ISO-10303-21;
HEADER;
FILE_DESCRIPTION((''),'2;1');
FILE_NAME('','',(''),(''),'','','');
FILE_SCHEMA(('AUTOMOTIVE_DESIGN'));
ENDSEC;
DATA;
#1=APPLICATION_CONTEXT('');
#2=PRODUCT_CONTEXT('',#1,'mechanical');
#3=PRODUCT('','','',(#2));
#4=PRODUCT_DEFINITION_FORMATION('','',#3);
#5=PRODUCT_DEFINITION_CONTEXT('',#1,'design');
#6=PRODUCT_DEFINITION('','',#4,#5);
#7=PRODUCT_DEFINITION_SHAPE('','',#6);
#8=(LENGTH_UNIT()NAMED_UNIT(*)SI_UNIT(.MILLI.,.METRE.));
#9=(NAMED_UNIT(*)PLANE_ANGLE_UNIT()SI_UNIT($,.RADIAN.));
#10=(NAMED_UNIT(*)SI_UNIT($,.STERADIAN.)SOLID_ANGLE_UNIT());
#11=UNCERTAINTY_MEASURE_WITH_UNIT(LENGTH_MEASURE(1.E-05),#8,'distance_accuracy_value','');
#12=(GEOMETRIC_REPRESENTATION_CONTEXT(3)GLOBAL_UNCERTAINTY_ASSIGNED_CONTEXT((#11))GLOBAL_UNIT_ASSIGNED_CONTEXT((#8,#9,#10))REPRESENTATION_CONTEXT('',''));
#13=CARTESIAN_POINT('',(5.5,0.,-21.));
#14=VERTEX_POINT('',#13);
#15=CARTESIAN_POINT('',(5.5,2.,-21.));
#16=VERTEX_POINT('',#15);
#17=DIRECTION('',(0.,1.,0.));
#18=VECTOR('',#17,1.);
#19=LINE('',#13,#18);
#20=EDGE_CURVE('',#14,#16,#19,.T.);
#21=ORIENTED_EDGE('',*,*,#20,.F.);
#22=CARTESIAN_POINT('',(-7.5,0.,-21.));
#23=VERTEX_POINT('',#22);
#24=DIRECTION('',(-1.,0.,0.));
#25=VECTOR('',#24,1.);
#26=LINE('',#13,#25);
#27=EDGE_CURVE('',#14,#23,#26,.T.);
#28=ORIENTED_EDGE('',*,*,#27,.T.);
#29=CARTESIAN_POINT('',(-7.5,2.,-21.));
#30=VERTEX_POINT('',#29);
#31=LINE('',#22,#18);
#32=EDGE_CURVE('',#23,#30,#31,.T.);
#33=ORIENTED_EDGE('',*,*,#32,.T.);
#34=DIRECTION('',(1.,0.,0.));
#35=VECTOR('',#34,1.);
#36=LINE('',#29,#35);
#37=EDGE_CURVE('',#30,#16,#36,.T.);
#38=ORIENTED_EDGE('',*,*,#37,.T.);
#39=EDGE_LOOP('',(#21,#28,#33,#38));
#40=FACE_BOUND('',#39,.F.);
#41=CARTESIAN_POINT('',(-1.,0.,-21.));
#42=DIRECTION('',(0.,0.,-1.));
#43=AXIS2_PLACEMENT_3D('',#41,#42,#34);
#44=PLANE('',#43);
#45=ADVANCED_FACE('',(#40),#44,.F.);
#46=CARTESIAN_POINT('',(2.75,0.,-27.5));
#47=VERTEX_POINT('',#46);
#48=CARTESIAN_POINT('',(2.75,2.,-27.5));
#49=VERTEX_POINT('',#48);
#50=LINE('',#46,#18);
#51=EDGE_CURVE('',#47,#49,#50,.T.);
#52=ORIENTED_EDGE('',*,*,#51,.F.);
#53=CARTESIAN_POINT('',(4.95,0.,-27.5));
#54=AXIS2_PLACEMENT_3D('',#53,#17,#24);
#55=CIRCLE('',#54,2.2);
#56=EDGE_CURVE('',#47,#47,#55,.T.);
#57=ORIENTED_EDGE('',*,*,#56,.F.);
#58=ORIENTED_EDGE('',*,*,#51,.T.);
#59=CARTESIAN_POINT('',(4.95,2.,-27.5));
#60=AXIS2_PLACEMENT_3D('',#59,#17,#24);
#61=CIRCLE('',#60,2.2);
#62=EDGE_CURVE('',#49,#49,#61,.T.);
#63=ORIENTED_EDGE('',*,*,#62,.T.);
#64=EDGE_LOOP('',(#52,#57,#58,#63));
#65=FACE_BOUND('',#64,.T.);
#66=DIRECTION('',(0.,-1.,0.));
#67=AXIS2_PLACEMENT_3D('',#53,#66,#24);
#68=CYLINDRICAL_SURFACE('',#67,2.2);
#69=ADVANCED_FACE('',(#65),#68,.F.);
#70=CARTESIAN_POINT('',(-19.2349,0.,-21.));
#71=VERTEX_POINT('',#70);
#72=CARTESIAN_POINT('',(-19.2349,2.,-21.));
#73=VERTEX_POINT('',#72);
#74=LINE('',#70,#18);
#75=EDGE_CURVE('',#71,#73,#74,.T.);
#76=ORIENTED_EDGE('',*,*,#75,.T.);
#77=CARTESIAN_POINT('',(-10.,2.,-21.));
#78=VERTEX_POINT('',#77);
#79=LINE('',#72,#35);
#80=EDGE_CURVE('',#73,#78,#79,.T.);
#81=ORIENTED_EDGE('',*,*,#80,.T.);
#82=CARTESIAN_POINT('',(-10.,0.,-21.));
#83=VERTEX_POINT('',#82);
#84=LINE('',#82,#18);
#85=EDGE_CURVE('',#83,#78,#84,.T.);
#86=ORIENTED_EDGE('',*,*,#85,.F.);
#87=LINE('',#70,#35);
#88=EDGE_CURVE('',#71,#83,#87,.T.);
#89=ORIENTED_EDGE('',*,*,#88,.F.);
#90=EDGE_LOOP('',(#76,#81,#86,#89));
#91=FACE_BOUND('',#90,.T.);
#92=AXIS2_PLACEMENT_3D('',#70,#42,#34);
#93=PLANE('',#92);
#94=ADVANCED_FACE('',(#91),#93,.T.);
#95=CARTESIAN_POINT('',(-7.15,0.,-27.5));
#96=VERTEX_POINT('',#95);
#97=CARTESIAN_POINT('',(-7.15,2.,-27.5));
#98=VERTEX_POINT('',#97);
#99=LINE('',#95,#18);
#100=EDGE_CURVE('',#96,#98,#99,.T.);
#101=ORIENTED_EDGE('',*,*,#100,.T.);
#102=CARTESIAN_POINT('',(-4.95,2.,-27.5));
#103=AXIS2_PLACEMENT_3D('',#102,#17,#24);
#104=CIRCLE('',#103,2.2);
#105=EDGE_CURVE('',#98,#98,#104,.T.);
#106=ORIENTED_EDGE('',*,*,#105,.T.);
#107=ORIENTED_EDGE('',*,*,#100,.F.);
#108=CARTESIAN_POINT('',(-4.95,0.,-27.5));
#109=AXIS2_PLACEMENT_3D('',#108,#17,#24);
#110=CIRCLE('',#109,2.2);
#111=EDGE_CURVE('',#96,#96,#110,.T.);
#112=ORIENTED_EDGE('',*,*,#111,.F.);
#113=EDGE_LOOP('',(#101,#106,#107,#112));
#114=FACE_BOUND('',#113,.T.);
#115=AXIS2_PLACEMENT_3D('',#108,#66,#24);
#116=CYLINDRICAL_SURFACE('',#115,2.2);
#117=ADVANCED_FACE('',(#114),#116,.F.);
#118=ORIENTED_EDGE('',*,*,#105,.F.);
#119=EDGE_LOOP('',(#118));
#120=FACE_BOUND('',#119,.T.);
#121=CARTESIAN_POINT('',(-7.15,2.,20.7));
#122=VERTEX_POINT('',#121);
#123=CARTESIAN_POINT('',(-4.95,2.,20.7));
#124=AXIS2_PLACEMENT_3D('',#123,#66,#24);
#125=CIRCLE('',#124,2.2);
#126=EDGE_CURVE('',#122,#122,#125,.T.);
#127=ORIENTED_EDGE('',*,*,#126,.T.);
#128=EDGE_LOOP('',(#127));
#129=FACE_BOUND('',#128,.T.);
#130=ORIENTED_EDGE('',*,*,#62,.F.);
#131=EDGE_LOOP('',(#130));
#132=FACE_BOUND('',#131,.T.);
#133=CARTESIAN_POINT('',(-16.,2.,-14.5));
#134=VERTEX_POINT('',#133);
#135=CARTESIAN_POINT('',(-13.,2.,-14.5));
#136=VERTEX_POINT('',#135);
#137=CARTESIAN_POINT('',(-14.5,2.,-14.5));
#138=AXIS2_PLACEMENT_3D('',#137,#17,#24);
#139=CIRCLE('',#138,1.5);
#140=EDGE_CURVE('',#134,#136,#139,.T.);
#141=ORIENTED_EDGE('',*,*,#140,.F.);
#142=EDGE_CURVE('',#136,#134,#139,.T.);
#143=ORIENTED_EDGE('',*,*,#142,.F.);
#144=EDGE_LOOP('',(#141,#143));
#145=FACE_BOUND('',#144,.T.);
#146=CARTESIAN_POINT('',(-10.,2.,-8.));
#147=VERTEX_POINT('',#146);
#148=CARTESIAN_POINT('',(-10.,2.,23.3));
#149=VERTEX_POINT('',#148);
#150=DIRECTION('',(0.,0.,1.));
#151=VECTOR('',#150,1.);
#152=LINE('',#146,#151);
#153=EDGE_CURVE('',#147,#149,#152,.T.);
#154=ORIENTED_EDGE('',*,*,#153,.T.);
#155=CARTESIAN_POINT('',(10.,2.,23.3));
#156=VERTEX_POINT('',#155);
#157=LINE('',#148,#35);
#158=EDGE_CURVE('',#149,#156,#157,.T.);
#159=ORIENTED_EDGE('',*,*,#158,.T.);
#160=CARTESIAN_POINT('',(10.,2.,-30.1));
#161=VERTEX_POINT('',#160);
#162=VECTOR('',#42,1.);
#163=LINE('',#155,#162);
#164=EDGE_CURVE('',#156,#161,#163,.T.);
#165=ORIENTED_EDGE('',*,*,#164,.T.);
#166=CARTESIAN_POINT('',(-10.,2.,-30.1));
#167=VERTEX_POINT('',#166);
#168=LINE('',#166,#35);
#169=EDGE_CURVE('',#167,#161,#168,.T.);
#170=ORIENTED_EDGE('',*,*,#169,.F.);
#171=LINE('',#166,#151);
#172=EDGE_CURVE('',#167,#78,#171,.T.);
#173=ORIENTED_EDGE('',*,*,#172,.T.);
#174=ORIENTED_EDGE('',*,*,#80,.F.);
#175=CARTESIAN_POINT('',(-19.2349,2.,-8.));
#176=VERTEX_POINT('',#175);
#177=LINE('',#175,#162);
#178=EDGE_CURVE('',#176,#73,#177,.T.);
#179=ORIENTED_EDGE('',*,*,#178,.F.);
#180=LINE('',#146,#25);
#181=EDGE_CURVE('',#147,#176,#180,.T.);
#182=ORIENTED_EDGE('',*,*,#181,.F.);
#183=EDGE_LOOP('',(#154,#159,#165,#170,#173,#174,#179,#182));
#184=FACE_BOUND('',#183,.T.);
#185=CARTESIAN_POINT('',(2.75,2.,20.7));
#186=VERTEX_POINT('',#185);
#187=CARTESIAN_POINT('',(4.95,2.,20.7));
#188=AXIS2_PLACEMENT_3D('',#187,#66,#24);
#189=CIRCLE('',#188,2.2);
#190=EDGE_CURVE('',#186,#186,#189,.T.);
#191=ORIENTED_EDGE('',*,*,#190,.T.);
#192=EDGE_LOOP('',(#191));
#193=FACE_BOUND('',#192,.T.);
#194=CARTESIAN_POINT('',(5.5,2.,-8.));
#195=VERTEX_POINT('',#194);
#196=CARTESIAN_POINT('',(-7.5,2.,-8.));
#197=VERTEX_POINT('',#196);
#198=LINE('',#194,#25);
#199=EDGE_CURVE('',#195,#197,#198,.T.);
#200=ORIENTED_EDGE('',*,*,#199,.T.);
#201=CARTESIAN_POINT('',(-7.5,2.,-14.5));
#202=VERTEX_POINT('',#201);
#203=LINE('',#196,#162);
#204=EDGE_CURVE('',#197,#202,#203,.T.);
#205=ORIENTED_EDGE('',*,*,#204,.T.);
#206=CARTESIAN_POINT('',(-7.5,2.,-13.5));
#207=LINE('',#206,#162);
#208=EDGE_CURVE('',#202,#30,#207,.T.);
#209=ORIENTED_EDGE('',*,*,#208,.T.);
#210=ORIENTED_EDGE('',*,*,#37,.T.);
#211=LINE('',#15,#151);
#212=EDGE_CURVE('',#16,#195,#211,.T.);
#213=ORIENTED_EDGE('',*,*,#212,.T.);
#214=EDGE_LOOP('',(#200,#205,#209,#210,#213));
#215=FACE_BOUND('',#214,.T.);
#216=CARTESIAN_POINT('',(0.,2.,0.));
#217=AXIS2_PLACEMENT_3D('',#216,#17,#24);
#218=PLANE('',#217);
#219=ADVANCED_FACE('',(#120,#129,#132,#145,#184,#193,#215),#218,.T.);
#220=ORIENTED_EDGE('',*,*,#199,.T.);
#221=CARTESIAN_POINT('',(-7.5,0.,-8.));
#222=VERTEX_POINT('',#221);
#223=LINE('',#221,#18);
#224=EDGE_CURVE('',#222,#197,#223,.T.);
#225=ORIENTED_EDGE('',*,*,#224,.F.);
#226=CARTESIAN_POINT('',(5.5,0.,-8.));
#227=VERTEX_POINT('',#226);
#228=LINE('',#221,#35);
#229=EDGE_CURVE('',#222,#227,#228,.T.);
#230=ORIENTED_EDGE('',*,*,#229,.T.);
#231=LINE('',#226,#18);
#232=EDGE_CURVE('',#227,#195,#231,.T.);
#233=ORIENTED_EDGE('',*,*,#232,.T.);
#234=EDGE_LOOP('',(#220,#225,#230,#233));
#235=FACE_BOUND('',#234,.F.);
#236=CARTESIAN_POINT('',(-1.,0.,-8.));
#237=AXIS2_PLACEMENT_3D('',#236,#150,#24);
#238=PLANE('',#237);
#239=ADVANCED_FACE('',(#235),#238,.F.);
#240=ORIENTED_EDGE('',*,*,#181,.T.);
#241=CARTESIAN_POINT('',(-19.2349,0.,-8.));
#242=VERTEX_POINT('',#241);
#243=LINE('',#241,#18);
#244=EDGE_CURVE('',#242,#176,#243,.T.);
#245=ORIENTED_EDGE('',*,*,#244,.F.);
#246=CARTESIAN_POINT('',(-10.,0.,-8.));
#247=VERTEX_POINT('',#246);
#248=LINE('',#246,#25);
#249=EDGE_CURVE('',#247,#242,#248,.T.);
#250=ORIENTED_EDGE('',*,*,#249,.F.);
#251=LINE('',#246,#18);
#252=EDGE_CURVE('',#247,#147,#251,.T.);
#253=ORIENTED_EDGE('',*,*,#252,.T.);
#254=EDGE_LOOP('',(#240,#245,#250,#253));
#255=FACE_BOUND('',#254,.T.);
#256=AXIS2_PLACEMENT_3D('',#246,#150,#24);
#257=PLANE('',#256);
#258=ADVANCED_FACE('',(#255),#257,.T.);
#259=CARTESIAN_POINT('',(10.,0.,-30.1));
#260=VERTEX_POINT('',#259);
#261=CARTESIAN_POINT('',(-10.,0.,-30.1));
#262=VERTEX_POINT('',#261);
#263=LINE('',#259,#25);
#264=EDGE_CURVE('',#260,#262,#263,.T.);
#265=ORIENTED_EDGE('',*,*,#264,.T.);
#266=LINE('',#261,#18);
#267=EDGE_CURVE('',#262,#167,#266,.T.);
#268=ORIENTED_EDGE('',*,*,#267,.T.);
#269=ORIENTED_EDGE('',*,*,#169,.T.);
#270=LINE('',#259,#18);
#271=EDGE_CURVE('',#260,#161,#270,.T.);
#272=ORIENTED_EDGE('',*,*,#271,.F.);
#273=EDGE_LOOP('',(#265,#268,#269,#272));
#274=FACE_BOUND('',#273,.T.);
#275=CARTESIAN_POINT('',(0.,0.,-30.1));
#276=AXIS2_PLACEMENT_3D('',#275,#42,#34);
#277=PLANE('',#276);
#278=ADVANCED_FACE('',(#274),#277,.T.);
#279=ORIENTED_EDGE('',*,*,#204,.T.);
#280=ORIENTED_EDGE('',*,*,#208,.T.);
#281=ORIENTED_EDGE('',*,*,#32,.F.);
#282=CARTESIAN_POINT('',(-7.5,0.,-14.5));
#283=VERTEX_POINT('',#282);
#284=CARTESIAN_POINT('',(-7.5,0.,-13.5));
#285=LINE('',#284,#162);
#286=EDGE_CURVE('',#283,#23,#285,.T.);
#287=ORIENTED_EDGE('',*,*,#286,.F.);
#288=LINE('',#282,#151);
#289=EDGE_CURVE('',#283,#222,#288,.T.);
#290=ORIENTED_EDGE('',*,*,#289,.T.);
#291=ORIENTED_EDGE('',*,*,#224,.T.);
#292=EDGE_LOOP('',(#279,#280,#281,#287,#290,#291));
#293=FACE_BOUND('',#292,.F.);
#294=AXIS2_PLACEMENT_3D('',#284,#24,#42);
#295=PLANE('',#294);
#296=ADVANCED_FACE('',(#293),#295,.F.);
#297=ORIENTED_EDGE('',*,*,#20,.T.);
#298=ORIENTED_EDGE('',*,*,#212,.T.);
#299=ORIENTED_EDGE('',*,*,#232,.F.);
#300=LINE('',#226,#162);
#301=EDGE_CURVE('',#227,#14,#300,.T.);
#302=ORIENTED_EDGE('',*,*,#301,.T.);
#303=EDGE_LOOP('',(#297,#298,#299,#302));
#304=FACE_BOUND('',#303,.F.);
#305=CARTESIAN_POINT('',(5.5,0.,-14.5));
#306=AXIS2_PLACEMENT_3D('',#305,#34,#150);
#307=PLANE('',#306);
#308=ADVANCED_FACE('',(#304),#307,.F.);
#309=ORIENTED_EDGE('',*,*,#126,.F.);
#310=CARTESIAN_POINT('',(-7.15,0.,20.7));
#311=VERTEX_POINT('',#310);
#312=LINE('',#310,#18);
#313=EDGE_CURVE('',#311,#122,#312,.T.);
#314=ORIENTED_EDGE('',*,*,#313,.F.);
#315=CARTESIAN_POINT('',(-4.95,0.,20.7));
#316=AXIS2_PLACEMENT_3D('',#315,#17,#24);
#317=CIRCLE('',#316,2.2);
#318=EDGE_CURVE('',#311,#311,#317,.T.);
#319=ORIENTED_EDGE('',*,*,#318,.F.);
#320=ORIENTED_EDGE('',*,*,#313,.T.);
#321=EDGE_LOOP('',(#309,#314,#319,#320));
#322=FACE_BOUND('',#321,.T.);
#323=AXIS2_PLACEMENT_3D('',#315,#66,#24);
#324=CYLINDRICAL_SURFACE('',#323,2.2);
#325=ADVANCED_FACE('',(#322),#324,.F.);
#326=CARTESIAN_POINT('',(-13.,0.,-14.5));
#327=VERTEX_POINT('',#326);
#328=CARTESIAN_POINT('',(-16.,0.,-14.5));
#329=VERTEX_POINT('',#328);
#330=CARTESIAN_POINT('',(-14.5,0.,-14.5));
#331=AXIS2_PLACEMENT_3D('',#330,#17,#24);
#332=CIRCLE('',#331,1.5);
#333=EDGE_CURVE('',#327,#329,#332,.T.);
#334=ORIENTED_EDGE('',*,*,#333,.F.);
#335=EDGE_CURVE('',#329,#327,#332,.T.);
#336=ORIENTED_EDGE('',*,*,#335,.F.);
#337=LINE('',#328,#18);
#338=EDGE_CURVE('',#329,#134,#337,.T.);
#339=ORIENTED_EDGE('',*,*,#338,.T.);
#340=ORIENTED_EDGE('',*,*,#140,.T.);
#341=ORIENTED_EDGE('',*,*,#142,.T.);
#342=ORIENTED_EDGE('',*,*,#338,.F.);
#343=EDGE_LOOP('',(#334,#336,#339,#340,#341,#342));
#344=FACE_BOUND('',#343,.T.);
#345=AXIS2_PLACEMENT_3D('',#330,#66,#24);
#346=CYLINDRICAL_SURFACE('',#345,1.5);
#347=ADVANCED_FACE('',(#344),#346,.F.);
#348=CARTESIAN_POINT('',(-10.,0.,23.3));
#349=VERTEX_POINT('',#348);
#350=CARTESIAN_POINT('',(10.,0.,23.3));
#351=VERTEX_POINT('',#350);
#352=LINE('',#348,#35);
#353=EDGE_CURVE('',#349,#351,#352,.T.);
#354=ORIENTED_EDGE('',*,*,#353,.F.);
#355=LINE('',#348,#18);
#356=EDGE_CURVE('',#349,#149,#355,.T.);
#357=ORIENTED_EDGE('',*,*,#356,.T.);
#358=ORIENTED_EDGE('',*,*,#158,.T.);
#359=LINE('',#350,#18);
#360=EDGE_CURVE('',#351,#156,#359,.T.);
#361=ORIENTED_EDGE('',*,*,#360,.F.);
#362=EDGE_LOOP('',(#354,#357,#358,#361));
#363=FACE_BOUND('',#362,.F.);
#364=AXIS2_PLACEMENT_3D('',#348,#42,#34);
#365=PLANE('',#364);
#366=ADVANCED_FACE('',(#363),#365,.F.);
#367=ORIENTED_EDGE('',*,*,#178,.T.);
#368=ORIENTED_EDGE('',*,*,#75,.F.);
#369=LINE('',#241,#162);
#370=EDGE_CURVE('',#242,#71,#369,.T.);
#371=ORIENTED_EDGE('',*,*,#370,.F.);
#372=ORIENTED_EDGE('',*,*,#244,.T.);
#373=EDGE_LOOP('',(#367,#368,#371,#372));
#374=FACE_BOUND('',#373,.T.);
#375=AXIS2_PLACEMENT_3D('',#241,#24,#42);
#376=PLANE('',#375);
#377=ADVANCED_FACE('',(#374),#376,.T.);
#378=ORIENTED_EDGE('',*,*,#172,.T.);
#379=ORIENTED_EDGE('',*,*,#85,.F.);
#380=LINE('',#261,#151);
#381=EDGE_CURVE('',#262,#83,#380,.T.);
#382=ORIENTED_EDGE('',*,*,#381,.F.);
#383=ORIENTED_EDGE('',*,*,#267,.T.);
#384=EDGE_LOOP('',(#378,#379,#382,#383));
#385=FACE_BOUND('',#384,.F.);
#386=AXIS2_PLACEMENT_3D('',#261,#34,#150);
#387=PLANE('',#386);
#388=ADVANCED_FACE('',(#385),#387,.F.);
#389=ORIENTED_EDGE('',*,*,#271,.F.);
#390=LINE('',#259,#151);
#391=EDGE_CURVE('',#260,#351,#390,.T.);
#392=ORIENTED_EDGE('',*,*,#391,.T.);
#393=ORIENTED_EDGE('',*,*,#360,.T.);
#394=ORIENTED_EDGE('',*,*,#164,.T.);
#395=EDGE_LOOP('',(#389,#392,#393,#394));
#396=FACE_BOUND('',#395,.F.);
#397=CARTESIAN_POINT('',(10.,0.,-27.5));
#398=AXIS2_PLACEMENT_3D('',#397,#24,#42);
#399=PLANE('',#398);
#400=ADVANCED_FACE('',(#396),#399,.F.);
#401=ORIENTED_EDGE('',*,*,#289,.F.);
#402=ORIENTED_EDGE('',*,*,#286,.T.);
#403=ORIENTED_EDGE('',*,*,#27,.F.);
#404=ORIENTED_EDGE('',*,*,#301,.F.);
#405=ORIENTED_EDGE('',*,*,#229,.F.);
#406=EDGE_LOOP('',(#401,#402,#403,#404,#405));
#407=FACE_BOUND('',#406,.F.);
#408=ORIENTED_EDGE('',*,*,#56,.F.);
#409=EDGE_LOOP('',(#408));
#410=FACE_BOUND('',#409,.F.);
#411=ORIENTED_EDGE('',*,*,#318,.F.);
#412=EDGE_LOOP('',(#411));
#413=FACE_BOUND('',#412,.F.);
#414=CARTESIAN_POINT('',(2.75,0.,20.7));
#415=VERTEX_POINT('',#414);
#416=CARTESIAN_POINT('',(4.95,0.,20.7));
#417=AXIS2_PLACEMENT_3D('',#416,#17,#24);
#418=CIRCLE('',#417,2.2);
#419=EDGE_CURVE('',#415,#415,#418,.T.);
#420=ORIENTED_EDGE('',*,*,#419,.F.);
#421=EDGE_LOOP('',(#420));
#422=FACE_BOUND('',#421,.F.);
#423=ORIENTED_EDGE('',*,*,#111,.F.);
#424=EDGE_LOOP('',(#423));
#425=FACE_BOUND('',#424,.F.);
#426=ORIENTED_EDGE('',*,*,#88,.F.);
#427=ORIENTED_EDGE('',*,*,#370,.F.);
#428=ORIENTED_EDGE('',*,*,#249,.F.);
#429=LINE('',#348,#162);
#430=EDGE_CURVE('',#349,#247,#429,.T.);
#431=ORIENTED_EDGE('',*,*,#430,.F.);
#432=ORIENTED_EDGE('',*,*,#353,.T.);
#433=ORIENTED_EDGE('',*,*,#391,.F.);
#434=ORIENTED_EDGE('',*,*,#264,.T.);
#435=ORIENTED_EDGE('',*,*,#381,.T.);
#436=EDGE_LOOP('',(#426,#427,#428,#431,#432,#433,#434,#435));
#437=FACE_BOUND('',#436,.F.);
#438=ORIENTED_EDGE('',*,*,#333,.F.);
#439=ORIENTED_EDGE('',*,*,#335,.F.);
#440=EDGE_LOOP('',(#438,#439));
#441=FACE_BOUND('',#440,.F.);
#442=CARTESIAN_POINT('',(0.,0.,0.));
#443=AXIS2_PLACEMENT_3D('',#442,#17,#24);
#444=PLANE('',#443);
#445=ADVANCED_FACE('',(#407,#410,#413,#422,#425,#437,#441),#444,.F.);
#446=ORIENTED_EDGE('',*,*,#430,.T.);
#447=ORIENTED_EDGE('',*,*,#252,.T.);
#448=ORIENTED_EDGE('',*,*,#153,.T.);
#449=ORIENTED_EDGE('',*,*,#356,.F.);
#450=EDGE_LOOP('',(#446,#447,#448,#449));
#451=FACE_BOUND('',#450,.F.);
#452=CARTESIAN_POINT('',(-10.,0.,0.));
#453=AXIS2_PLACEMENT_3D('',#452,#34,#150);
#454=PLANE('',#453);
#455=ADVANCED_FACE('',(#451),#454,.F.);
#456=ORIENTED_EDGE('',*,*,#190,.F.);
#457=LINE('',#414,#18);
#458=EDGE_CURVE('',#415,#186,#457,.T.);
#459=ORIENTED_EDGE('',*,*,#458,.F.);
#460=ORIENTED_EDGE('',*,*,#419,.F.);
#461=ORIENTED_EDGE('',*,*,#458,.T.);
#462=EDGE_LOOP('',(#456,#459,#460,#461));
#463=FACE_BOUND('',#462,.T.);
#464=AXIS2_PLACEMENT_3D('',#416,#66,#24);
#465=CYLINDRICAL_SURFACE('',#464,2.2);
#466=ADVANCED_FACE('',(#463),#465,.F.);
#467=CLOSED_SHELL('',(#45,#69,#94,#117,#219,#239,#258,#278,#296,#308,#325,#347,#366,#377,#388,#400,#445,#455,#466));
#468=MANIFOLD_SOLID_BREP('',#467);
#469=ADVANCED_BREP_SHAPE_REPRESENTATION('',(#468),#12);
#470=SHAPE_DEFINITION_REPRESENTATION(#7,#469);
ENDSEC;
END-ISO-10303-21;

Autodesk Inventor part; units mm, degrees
ref_plane "YZ Plane" through (0, 0, 0) normal (1, 0, 0) x (0, 1, 0)
ref_plane "XZ Plane" through (0, 0, 0) normal (0, 1, 0) x (-1, 0, 0)
ref_plane "XY Plane" through (0, 0, 0) normal (0, 0, 1) x (1, 0, 0)
sketch "Boceto1" plane through (0, 0, 0) normal (0, 1, 0) x (-1, 0, 0)
  line L0 (0, -30.1) -> (-8.9011, -30.1)
  line L1 (0, -30.1) -> (-10, -30.1)
  line L2 (0, -30.1) -> (10, -30.1)
  line L3 (10, -30.1) -> (10, 23.3)
  line L4 (10, -30.1) -> (63.4, -30.1) construction
  line L5 (10, 23.3) -> (-10, 23.3)
  line L6 (-10, 23.3) -> (-10, -30.1)
  line L7 (-10, 23.3) -> (-10, 20.7)
  line L8 (-10, 20.7) -> (10, 20.7)
  line L9 (0, 20.7) -> (4.95, 20.7)
  line L10 (4.95, 20.7) -> (-4.95, 20.7)
  circle A0 centre (4.95, 20.7) radius 2.2
  circle A1 centre (-4.95, 20.7) radius 2.2
  line L11 (10, 0) -> (5.5615, 0)
  line L12 (-10, -30.1) -> (-10, -27.5)
  circle A2 centre (4.95, -27.5) radius 2.2
  circle A3 centre (-4.95, -27.5) radius 2.2
  circle A4 centre (4.95, 20.7) radius 2.2
  circle A5 centre (-4.95, 20.7) radius 2.2
  line L13 (7.5, -13.5) -> (7.5, -21)
  line L14 (7.5, -21) -> (-5.5, -21)
  line L15 (-5.5, -21) -> (-5.5, -8)
  line L16 (-5.5, -8) -> (7.5, -8)
  line L17 (7.5, -8) -> (7.5, -13.5)
  line L18 (1, -8) -> (1, -21)
  line L19 (-5.5, -14.5) -> (7.5, -14.5)
  line L20 (1, -14.5) -> (14.5, -14.5)
  circle A6 centre (14.5, -14.5) radius 1.5
  line L21 (10, -8) -> (19.2349, -8)
  line L22 (19.2349, -8) -> (19.2349, -21)
  line L23 (19.2349, -21) -> (10, -21)
  point P0 (0, 0)
  dimension "d8" = 53.4
  dimension "d9" = 90
  dimension "d10" = 20
  dimension "d11" = 2.6
  dimension "d12" = 4.95
  dimension "d13" = 9.9
  dimension "d14" = 4.4
  dimension "d15" = 4.4
  dimension "d16" = 2.6
  dimension "d19" = 4.4
  dimension "d20" = 4.4
  dimension "d26" = 13.5
  dimension "d27" = 3
extrude "Extrusión1" add sketch "Boceto1" along normal blind 2 contours L0 L1 L6 L8 A1 A0 L3 L2 | L3 L21 L22 L23 | L6 L5 L3 L8 A0 A1
properties part number "plataforma_nueva"
